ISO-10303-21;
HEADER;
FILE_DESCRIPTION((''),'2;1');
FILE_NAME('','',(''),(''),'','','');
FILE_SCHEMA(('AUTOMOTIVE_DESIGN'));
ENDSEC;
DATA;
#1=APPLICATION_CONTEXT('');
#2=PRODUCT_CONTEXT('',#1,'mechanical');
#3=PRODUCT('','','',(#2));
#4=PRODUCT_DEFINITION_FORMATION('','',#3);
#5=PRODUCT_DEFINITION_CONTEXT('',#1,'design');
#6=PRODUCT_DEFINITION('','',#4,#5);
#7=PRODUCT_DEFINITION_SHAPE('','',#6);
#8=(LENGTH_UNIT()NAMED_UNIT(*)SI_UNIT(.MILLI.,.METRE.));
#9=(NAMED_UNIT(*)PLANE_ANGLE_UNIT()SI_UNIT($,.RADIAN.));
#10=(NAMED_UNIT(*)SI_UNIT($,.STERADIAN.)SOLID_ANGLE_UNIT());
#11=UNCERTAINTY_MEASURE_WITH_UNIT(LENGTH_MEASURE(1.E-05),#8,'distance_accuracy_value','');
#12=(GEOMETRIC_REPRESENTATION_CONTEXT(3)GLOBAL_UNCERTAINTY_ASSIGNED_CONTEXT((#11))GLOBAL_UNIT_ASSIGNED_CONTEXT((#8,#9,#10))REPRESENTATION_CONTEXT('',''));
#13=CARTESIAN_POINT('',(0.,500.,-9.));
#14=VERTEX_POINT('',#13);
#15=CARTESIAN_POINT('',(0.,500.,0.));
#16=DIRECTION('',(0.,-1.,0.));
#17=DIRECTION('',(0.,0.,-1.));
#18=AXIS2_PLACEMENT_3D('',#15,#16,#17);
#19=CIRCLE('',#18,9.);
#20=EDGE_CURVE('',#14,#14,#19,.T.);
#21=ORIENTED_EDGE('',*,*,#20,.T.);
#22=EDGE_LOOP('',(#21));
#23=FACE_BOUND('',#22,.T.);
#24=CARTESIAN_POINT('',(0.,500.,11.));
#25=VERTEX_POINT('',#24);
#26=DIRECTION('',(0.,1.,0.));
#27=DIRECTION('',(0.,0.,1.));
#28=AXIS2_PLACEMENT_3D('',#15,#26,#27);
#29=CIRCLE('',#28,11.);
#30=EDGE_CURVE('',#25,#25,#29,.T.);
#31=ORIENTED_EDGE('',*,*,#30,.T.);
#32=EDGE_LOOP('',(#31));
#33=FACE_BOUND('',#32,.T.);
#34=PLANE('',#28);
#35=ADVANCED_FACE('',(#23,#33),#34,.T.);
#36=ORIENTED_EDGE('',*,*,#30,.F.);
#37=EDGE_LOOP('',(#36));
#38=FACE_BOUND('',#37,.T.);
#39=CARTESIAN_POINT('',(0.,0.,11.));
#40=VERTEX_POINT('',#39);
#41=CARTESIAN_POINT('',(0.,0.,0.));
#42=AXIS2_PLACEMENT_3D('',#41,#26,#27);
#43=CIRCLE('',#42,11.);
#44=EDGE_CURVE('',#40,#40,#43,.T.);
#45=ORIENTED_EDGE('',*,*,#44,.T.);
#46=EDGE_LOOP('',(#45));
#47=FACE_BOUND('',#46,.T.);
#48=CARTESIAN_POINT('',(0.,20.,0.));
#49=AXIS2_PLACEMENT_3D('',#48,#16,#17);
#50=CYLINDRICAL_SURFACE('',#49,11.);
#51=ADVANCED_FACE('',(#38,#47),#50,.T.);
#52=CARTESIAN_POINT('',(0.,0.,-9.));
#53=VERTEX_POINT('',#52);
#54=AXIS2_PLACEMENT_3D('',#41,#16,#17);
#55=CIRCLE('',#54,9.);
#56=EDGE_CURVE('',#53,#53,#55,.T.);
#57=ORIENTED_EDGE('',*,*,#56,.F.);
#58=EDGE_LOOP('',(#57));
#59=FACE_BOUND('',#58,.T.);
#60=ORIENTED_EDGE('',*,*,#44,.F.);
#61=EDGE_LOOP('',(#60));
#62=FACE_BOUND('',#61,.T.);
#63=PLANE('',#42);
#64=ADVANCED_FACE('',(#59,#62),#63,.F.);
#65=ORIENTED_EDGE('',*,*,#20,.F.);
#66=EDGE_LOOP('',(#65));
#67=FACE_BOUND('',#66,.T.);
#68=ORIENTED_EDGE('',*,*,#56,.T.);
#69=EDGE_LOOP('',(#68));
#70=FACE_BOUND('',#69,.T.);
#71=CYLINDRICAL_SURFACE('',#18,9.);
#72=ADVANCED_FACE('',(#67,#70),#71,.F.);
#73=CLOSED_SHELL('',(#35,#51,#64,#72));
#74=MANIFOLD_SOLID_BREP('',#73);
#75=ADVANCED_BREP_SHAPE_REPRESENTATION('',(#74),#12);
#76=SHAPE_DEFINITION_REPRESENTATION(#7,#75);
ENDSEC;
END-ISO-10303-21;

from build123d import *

# Parameters (mm, degrees)
SKETCH_1_R          = 11
EXTRUDE_1_DEPTH     = 20
SKETCH_2_R          = 11
EXTRUDE_2_DEPTH     = 480
SKETCH_4_R          = 9
CUT_EXTRUDE_1_DEPTH = 501


with BuildPart() as part:
    # 草图1 → 凸台-拉伸1 (new body)
    with BuildSketch(Plane(origin=(0, 0, 0), x_dir=(1, 0, 0), z_dir=(0, 1, 0))):
        Circle(SKETCH_1_R)
    extrude(amount=EXTRUDE_1_DEPTH)

    # 草图2 → 凸台-拉伸2 (add)
    with BuildSketch(Plane(origin=(0, 20, 0), x_dir=(1, 0, 0), z_dir=(0, 1, 0))):
        Circle(SKETCH_2_R)
    extrude(amount=EXTRUDE_2_DEPTH)

    # 草图4 → 切除-拉伸1 (cut, through all)
    with BuildSketch(Plane.XZ):
        Circle(SKETCH_4_R)
    extrude(amount=-CUT_EXTRUDE_1_DEPTH, mode=Mode.SUBTRACT)


solid = part.part
